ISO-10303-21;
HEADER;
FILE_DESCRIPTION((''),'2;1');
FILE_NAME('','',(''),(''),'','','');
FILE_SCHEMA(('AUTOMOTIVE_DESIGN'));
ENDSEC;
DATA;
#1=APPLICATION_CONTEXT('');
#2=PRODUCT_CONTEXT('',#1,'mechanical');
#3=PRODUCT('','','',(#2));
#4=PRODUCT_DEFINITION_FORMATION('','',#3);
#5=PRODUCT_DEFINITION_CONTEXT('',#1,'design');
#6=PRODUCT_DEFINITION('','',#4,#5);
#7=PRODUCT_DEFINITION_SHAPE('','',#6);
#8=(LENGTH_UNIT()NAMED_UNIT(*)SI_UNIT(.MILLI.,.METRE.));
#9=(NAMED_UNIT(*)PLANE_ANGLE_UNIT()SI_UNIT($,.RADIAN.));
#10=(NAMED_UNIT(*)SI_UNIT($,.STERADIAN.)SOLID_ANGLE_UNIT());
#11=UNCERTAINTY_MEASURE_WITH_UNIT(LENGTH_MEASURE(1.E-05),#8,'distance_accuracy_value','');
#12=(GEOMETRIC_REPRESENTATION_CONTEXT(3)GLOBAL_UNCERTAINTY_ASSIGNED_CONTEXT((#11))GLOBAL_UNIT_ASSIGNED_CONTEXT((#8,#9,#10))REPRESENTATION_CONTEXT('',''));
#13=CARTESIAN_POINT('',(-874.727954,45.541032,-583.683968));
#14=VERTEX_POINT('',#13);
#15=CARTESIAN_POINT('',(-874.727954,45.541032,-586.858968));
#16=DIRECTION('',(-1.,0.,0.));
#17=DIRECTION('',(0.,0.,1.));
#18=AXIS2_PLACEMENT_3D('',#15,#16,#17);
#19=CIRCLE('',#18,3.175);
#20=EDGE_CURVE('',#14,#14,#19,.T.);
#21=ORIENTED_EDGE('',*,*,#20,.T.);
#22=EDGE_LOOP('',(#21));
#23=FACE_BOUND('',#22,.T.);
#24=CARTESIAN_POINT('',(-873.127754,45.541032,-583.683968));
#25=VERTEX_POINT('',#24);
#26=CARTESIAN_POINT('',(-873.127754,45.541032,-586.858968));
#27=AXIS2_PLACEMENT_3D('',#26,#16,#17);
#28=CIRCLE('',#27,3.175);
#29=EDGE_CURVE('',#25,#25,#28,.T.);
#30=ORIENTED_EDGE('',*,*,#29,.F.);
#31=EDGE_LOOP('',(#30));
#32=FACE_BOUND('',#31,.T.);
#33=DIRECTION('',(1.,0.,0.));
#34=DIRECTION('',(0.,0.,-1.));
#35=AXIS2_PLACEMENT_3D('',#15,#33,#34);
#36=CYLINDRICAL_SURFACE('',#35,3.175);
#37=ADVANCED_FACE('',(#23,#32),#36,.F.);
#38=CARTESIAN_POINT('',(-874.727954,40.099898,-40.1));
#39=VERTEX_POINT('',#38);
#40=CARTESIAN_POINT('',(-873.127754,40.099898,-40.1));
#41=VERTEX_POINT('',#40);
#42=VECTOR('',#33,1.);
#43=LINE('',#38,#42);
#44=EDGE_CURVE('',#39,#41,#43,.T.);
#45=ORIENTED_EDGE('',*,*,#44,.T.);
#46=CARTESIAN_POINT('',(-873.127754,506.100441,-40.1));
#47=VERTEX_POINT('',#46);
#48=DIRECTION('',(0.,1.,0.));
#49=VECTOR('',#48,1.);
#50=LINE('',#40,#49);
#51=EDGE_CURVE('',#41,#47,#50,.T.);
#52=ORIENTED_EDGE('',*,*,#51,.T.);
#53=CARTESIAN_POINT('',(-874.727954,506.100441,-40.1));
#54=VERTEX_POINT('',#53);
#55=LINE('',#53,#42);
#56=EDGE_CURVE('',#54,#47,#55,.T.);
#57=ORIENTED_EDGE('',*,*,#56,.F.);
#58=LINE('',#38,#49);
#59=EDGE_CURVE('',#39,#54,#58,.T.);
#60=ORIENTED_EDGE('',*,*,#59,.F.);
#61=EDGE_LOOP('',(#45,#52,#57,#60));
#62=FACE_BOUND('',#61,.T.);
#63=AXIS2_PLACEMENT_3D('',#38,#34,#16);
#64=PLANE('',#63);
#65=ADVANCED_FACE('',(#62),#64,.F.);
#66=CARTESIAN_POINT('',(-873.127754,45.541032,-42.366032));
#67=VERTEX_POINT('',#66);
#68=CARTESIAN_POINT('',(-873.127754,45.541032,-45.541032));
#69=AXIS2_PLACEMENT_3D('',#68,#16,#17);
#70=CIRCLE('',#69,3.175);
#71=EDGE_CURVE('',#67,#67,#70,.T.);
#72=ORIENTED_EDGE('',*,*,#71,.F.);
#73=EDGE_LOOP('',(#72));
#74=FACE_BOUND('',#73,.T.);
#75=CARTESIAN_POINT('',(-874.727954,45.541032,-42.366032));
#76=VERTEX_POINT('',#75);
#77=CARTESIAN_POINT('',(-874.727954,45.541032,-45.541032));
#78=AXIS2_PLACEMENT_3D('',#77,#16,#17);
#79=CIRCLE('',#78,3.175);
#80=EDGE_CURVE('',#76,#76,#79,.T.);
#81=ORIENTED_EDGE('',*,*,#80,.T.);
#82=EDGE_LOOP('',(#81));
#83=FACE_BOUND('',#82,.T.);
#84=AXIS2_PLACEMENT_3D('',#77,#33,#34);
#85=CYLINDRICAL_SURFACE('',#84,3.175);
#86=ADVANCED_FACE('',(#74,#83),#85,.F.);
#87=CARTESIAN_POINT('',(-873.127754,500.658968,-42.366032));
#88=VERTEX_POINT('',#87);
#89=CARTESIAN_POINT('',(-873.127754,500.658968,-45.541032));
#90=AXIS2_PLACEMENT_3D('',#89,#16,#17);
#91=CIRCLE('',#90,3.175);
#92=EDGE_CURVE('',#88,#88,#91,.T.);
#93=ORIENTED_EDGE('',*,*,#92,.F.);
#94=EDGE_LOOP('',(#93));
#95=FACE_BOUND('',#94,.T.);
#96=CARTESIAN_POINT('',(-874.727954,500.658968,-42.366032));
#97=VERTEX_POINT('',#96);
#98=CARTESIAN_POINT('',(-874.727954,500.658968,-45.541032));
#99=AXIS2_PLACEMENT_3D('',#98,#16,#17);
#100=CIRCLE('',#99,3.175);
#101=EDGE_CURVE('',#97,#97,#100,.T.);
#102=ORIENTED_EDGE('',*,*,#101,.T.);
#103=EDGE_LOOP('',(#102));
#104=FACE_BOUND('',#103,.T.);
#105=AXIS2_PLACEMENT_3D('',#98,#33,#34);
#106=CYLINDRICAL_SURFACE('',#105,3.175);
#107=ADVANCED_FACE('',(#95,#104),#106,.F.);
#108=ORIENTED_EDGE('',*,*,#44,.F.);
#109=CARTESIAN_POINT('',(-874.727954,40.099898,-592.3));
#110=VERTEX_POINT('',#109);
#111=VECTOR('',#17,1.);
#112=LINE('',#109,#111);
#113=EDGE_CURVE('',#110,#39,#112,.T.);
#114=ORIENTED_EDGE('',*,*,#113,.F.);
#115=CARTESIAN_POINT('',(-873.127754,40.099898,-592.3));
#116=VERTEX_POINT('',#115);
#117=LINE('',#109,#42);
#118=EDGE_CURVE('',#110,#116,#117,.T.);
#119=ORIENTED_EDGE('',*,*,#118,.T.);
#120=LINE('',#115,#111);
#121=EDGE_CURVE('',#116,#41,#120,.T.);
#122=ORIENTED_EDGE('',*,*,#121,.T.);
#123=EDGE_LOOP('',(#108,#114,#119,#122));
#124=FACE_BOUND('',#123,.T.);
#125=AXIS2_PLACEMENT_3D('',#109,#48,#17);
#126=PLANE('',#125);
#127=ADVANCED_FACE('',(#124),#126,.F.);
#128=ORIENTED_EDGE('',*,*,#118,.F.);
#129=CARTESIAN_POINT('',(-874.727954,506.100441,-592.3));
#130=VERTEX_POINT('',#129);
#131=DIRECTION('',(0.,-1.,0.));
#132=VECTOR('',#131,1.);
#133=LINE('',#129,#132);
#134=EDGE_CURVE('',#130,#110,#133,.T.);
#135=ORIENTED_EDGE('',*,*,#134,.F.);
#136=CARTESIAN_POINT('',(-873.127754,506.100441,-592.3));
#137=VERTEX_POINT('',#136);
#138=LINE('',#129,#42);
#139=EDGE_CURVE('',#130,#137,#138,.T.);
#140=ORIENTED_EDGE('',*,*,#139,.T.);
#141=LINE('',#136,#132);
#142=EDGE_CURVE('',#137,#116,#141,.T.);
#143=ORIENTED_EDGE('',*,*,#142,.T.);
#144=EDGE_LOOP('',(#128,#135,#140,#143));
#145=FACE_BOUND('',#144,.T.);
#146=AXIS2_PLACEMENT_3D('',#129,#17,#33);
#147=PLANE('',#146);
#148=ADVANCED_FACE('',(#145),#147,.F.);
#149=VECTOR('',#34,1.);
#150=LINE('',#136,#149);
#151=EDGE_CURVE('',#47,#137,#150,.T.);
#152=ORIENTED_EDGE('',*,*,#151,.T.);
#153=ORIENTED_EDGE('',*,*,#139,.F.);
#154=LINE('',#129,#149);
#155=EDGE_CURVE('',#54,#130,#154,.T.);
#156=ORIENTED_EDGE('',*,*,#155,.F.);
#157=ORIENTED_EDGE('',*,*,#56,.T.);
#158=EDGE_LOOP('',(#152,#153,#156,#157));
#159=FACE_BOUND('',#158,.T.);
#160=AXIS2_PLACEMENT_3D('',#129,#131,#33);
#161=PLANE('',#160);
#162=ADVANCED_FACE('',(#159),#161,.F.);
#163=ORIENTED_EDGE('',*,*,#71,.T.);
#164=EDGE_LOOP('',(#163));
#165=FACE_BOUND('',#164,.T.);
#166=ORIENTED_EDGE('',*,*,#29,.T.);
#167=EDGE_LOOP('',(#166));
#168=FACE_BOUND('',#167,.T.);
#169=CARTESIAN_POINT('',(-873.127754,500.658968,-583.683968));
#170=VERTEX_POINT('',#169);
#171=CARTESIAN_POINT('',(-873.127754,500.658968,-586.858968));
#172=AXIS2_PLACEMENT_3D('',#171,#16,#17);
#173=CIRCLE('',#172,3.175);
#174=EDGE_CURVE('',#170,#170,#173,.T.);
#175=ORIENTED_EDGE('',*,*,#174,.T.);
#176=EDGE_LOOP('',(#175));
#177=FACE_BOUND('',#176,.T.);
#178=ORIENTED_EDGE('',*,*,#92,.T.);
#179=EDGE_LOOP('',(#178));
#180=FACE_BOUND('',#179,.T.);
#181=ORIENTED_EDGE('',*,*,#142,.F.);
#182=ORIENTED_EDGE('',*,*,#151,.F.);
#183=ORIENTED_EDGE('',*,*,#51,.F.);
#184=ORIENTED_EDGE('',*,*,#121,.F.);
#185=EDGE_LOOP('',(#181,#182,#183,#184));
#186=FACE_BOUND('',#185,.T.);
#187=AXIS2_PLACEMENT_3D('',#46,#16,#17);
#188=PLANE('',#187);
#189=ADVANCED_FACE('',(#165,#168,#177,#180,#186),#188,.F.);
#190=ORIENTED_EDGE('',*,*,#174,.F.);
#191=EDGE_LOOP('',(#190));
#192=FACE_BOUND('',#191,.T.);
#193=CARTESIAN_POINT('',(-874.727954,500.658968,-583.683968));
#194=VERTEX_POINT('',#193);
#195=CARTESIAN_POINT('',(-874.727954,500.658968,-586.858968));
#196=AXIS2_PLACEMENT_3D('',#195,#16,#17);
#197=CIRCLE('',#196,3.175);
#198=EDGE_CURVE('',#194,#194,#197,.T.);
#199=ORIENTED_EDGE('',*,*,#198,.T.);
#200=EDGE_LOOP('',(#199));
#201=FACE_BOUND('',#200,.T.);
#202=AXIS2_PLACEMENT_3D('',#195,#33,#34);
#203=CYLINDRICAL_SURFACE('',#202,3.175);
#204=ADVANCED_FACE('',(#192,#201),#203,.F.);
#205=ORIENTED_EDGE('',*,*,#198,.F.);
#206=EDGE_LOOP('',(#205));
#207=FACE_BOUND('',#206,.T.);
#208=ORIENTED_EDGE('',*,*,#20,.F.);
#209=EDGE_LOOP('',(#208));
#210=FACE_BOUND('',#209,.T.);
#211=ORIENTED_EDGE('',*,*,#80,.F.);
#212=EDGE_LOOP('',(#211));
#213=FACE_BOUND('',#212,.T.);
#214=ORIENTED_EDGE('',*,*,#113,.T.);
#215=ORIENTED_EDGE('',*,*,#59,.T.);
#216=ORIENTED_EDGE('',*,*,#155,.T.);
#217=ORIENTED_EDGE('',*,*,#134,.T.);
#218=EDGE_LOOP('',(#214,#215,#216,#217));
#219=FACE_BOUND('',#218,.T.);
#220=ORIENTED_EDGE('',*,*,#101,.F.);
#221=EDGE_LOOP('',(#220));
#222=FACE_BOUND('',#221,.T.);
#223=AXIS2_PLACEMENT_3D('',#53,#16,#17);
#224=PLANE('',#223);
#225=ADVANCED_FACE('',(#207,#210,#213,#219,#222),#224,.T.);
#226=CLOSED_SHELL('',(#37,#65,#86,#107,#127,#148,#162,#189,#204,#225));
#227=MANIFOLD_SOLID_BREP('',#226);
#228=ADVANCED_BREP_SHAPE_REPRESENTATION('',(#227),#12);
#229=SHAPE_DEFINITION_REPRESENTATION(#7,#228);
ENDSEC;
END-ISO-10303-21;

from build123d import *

# Parameters (mm, degrees)
SKETCH1_W           = 552.199999858
SKETCH1_H           = 466.00054246
SKETCH1_R           = 3.175
BOSS_EXTRUDE1_DEPTH = 1.6002


with BuildPart() as part:
    # Sketch1 → Boss-Extrude1 (new body)
    with BuildSketch(Plane.ZY.offset(873.127754017)):
        with Locations((-316.2, 273.100169628)):
            Rectangle(SKETCH1_W, SKETCH1_H)
        with Locations((-586.858968152, 500.658968)):
            Circle(SKETCH1_R, mode=Mode.SUBTRACT)
        with Locations((-45.541032, 500.658968)):
            Circle(SKETCH1_R, mode=Mode.SUBTRACT)
        with Locations((-45.541032, 45.541031777)):
            Circle(SKETCH1_R, mode=Mode.SUBTRACT)
        with Locations((-586.858968152, 45.541031777)):
            Circle(SKETCH1_R, mode=Mode.SUBTRACT)
    extrude(amount=BOSS_EXTRUDE1_DEPTH)


solid = part.part
